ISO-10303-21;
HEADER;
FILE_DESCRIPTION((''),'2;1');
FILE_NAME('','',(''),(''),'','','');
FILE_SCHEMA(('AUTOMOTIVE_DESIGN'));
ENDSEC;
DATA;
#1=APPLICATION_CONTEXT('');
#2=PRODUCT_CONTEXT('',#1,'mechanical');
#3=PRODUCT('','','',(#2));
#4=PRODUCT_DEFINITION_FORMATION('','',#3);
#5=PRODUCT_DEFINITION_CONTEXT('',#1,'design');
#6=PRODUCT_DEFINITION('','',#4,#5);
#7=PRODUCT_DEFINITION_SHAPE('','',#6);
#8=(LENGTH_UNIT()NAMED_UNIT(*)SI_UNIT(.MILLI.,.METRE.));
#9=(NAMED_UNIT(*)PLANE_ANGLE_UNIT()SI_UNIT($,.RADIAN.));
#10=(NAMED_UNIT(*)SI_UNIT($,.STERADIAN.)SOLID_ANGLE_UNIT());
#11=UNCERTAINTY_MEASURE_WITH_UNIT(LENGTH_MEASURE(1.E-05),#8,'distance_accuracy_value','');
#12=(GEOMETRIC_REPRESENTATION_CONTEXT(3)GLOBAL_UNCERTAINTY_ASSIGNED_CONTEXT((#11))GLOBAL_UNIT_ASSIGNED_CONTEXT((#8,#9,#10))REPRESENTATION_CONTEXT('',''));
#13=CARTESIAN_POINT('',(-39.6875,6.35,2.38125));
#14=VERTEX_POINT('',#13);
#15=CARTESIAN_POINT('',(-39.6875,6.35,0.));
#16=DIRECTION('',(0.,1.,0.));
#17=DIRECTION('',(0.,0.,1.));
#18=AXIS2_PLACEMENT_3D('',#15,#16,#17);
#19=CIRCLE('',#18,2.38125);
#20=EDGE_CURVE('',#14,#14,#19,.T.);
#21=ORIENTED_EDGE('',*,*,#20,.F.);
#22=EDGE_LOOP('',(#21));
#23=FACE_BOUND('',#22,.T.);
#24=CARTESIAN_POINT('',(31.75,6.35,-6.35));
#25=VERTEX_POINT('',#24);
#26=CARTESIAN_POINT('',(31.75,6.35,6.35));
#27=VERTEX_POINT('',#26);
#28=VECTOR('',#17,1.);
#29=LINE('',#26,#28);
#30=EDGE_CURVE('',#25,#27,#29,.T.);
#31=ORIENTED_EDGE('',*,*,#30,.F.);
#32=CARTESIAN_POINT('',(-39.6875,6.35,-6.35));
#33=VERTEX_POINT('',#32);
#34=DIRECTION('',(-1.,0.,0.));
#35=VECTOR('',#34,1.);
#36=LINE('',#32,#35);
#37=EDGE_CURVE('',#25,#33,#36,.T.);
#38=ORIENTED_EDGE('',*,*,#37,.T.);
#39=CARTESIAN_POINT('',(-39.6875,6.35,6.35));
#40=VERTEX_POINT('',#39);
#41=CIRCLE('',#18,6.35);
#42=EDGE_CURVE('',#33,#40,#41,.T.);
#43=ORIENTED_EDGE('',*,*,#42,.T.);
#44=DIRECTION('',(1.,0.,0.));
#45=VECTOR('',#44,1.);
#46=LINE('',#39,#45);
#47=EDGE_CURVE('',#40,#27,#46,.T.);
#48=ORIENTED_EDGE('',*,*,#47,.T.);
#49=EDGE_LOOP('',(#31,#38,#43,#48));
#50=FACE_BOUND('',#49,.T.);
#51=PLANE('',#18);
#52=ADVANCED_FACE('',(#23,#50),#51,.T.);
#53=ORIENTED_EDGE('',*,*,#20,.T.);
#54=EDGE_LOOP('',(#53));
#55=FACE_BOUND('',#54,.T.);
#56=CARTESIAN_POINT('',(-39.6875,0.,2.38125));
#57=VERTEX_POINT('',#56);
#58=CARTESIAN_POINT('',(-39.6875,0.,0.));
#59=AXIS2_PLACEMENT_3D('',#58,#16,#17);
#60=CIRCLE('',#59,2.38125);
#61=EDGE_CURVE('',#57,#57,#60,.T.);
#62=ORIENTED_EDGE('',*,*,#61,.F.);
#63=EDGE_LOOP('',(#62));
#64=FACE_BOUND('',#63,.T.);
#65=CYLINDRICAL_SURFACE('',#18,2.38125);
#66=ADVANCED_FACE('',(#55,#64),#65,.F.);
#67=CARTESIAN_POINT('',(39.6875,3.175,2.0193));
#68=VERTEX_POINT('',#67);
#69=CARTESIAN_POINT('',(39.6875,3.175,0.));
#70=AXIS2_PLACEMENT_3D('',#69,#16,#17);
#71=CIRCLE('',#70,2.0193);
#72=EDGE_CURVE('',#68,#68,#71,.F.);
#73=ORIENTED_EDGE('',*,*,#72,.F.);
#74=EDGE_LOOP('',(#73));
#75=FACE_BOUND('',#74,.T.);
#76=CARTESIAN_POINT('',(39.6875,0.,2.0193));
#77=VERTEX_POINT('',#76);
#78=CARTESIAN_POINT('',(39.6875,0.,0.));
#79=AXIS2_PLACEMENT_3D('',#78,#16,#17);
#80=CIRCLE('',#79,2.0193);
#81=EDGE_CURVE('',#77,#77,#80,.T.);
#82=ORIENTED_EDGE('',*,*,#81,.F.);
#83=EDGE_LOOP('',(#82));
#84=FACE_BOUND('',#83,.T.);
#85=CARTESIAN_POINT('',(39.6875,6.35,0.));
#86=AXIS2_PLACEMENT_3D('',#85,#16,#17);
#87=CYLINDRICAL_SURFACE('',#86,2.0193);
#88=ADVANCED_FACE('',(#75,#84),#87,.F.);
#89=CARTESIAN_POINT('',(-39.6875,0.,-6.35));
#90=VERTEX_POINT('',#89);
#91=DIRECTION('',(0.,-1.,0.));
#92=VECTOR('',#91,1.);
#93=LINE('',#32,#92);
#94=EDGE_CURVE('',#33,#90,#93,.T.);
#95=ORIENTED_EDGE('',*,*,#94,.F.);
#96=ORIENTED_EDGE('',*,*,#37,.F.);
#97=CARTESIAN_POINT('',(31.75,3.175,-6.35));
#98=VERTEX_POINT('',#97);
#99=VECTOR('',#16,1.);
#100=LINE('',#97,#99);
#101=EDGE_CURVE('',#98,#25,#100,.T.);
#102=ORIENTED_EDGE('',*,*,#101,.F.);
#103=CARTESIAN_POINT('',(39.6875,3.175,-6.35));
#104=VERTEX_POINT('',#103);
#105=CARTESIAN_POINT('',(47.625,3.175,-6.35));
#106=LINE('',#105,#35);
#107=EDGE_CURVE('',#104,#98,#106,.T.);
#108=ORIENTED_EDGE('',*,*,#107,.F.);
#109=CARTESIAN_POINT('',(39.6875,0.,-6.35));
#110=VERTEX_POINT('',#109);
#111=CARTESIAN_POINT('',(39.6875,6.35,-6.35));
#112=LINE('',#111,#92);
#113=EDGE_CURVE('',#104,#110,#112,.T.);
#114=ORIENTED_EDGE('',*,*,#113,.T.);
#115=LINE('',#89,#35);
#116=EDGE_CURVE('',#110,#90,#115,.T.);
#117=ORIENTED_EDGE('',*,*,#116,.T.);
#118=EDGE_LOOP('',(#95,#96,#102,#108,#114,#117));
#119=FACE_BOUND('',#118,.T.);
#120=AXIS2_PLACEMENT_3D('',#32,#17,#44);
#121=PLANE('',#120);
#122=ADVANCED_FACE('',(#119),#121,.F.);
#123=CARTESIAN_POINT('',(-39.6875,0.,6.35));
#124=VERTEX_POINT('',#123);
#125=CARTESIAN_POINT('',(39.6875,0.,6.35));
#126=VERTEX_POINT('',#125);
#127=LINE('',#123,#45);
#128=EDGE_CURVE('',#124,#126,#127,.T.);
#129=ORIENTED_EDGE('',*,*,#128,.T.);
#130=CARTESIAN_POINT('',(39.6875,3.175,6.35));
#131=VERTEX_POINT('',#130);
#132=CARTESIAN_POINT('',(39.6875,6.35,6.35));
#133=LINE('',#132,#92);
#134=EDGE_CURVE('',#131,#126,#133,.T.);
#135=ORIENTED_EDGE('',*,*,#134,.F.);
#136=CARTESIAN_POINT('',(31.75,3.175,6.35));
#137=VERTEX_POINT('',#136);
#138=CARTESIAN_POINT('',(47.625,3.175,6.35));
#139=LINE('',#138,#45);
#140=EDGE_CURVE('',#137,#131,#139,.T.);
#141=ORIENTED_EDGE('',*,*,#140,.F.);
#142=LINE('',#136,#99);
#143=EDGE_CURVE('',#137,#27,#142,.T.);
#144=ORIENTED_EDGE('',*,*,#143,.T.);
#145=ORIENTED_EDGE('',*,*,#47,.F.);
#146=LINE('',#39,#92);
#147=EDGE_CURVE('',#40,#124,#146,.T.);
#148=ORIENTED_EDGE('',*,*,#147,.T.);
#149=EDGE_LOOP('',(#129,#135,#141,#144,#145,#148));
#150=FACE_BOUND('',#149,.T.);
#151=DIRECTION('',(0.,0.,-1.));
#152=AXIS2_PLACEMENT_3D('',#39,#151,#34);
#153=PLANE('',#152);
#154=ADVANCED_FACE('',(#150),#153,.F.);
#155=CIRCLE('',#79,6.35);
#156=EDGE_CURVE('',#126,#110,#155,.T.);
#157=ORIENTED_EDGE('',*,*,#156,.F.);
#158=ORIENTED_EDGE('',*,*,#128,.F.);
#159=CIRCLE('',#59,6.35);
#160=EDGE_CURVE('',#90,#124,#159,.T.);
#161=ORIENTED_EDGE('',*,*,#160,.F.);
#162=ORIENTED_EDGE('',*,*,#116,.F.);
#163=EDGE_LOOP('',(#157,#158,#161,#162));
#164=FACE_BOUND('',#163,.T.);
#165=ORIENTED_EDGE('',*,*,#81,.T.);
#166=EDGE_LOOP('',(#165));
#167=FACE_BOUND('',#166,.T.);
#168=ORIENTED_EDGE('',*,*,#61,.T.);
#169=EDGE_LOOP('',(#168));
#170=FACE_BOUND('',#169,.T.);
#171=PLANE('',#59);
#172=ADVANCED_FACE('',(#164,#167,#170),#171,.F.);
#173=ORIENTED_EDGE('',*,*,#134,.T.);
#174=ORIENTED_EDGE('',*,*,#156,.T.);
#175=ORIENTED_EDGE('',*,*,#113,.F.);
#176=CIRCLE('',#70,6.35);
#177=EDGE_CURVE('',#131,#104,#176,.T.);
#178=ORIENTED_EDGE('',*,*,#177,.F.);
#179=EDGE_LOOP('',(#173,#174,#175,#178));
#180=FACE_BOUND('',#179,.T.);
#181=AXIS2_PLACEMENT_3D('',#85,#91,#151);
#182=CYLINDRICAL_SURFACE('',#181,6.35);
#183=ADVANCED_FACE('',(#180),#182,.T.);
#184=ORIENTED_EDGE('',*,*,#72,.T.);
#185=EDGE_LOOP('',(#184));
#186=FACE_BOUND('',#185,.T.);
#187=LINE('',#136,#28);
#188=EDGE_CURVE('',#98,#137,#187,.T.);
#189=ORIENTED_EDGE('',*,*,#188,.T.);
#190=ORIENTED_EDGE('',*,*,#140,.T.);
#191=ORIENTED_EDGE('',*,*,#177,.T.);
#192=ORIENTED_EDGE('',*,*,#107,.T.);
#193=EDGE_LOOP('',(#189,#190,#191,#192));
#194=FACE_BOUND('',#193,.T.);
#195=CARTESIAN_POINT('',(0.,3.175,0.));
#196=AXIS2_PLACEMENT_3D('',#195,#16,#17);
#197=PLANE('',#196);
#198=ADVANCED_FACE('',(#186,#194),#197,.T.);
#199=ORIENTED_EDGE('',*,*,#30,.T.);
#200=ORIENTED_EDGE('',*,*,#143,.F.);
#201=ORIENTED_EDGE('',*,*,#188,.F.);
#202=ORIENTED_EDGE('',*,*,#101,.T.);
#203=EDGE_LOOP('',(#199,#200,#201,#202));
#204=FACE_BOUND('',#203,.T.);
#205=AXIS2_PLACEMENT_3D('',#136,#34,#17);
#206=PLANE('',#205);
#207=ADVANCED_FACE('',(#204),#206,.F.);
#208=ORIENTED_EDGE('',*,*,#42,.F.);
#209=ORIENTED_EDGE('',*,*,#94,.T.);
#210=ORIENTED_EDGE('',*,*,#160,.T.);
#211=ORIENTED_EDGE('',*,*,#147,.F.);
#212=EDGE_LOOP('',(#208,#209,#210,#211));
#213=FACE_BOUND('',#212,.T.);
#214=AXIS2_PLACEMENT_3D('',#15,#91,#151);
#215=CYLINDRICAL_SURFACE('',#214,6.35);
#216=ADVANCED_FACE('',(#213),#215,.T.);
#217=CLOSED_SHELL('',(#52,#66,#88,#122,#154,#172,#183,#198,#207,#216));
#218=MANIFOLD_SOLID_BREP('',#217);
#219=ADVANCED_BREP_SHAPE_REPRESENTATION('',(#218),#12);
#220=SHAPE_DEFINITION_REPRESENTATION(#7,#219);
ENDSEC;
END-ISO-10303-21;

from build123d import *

# Parameters (mm, degrees)
BOSS_EXTRUDE1_DEPTH            = 6.35
F_3_16_0_1875_DIAMETER_HOLE1_D = 4.7625
F_21_0_159_DIAMETER_HOLE1_D    = 4.0386
SKETCH4_W                      = 15.875
SKETCH4_H                      = 12.7
CUT_EXTRUDE1_DEPTH             = 3.175


with BuildPart() as part:
    # Sketch1 → Boss-Extrude1 (new body)
    with BuildSketch(Plane(origin=(0, 0, 0), x_dir=(1, 0, 0), z_dir=(0, 1, 0))):
        with BuildLine():
            Line((-39.6875, 6.35), (39.6875, 6.35))
            ThreePointArc((39.6875, 6.35), (46.0375, 0), (39.6875, -6.35))
            Line((39.6875, -6.35), (-39.6875, -6.35))
            ThreePointArc((-39.6875, -6.35), (-46.0375, 0), (-39.6875, 6.35))
        make_face()
    extrude(amount=BOSS_EXTRUDE1_DEPTH)

    # 3/16 (0.1875) Diameter Hole1 (through all)
    with Locations(Plane(origin=(0, 6.35, 0), x_dir=(1, 0, 0), z_dir=(0, 1, 0))):
        with Locations((-39.6875, 0)):
            Hole(F_3_16_0_1875_DIAMETER_HOLE1_D / 2)

    # #21 (0.159) Diameter Hole1 (through all)
    with Locations(Plane(origin=(0, 6.35, 0), x_dir=(1, 0, 0), z_dir=(0, 1, 0))):
        with Locations((39.6875, 0)):
            Hole(F_21_0_159_DIAMETER_HOLE1_D / 2)

    # Sketch4 → Cut-Extrude1 (cut)
    with BuildSketch(Plane(origin=(0, 6.35, 0), x_dir=(1, 0, 0), z_dir=(0, 1, 0))):
        with Locations((39.6875, 0)):
            Rectangle(SKETCH4_W, SKETCH4_H)
    extrude(amount=-CUT_EXTRUDE1_DEPTH, mode=Mode.SUBTRACT)


solid = part.part
